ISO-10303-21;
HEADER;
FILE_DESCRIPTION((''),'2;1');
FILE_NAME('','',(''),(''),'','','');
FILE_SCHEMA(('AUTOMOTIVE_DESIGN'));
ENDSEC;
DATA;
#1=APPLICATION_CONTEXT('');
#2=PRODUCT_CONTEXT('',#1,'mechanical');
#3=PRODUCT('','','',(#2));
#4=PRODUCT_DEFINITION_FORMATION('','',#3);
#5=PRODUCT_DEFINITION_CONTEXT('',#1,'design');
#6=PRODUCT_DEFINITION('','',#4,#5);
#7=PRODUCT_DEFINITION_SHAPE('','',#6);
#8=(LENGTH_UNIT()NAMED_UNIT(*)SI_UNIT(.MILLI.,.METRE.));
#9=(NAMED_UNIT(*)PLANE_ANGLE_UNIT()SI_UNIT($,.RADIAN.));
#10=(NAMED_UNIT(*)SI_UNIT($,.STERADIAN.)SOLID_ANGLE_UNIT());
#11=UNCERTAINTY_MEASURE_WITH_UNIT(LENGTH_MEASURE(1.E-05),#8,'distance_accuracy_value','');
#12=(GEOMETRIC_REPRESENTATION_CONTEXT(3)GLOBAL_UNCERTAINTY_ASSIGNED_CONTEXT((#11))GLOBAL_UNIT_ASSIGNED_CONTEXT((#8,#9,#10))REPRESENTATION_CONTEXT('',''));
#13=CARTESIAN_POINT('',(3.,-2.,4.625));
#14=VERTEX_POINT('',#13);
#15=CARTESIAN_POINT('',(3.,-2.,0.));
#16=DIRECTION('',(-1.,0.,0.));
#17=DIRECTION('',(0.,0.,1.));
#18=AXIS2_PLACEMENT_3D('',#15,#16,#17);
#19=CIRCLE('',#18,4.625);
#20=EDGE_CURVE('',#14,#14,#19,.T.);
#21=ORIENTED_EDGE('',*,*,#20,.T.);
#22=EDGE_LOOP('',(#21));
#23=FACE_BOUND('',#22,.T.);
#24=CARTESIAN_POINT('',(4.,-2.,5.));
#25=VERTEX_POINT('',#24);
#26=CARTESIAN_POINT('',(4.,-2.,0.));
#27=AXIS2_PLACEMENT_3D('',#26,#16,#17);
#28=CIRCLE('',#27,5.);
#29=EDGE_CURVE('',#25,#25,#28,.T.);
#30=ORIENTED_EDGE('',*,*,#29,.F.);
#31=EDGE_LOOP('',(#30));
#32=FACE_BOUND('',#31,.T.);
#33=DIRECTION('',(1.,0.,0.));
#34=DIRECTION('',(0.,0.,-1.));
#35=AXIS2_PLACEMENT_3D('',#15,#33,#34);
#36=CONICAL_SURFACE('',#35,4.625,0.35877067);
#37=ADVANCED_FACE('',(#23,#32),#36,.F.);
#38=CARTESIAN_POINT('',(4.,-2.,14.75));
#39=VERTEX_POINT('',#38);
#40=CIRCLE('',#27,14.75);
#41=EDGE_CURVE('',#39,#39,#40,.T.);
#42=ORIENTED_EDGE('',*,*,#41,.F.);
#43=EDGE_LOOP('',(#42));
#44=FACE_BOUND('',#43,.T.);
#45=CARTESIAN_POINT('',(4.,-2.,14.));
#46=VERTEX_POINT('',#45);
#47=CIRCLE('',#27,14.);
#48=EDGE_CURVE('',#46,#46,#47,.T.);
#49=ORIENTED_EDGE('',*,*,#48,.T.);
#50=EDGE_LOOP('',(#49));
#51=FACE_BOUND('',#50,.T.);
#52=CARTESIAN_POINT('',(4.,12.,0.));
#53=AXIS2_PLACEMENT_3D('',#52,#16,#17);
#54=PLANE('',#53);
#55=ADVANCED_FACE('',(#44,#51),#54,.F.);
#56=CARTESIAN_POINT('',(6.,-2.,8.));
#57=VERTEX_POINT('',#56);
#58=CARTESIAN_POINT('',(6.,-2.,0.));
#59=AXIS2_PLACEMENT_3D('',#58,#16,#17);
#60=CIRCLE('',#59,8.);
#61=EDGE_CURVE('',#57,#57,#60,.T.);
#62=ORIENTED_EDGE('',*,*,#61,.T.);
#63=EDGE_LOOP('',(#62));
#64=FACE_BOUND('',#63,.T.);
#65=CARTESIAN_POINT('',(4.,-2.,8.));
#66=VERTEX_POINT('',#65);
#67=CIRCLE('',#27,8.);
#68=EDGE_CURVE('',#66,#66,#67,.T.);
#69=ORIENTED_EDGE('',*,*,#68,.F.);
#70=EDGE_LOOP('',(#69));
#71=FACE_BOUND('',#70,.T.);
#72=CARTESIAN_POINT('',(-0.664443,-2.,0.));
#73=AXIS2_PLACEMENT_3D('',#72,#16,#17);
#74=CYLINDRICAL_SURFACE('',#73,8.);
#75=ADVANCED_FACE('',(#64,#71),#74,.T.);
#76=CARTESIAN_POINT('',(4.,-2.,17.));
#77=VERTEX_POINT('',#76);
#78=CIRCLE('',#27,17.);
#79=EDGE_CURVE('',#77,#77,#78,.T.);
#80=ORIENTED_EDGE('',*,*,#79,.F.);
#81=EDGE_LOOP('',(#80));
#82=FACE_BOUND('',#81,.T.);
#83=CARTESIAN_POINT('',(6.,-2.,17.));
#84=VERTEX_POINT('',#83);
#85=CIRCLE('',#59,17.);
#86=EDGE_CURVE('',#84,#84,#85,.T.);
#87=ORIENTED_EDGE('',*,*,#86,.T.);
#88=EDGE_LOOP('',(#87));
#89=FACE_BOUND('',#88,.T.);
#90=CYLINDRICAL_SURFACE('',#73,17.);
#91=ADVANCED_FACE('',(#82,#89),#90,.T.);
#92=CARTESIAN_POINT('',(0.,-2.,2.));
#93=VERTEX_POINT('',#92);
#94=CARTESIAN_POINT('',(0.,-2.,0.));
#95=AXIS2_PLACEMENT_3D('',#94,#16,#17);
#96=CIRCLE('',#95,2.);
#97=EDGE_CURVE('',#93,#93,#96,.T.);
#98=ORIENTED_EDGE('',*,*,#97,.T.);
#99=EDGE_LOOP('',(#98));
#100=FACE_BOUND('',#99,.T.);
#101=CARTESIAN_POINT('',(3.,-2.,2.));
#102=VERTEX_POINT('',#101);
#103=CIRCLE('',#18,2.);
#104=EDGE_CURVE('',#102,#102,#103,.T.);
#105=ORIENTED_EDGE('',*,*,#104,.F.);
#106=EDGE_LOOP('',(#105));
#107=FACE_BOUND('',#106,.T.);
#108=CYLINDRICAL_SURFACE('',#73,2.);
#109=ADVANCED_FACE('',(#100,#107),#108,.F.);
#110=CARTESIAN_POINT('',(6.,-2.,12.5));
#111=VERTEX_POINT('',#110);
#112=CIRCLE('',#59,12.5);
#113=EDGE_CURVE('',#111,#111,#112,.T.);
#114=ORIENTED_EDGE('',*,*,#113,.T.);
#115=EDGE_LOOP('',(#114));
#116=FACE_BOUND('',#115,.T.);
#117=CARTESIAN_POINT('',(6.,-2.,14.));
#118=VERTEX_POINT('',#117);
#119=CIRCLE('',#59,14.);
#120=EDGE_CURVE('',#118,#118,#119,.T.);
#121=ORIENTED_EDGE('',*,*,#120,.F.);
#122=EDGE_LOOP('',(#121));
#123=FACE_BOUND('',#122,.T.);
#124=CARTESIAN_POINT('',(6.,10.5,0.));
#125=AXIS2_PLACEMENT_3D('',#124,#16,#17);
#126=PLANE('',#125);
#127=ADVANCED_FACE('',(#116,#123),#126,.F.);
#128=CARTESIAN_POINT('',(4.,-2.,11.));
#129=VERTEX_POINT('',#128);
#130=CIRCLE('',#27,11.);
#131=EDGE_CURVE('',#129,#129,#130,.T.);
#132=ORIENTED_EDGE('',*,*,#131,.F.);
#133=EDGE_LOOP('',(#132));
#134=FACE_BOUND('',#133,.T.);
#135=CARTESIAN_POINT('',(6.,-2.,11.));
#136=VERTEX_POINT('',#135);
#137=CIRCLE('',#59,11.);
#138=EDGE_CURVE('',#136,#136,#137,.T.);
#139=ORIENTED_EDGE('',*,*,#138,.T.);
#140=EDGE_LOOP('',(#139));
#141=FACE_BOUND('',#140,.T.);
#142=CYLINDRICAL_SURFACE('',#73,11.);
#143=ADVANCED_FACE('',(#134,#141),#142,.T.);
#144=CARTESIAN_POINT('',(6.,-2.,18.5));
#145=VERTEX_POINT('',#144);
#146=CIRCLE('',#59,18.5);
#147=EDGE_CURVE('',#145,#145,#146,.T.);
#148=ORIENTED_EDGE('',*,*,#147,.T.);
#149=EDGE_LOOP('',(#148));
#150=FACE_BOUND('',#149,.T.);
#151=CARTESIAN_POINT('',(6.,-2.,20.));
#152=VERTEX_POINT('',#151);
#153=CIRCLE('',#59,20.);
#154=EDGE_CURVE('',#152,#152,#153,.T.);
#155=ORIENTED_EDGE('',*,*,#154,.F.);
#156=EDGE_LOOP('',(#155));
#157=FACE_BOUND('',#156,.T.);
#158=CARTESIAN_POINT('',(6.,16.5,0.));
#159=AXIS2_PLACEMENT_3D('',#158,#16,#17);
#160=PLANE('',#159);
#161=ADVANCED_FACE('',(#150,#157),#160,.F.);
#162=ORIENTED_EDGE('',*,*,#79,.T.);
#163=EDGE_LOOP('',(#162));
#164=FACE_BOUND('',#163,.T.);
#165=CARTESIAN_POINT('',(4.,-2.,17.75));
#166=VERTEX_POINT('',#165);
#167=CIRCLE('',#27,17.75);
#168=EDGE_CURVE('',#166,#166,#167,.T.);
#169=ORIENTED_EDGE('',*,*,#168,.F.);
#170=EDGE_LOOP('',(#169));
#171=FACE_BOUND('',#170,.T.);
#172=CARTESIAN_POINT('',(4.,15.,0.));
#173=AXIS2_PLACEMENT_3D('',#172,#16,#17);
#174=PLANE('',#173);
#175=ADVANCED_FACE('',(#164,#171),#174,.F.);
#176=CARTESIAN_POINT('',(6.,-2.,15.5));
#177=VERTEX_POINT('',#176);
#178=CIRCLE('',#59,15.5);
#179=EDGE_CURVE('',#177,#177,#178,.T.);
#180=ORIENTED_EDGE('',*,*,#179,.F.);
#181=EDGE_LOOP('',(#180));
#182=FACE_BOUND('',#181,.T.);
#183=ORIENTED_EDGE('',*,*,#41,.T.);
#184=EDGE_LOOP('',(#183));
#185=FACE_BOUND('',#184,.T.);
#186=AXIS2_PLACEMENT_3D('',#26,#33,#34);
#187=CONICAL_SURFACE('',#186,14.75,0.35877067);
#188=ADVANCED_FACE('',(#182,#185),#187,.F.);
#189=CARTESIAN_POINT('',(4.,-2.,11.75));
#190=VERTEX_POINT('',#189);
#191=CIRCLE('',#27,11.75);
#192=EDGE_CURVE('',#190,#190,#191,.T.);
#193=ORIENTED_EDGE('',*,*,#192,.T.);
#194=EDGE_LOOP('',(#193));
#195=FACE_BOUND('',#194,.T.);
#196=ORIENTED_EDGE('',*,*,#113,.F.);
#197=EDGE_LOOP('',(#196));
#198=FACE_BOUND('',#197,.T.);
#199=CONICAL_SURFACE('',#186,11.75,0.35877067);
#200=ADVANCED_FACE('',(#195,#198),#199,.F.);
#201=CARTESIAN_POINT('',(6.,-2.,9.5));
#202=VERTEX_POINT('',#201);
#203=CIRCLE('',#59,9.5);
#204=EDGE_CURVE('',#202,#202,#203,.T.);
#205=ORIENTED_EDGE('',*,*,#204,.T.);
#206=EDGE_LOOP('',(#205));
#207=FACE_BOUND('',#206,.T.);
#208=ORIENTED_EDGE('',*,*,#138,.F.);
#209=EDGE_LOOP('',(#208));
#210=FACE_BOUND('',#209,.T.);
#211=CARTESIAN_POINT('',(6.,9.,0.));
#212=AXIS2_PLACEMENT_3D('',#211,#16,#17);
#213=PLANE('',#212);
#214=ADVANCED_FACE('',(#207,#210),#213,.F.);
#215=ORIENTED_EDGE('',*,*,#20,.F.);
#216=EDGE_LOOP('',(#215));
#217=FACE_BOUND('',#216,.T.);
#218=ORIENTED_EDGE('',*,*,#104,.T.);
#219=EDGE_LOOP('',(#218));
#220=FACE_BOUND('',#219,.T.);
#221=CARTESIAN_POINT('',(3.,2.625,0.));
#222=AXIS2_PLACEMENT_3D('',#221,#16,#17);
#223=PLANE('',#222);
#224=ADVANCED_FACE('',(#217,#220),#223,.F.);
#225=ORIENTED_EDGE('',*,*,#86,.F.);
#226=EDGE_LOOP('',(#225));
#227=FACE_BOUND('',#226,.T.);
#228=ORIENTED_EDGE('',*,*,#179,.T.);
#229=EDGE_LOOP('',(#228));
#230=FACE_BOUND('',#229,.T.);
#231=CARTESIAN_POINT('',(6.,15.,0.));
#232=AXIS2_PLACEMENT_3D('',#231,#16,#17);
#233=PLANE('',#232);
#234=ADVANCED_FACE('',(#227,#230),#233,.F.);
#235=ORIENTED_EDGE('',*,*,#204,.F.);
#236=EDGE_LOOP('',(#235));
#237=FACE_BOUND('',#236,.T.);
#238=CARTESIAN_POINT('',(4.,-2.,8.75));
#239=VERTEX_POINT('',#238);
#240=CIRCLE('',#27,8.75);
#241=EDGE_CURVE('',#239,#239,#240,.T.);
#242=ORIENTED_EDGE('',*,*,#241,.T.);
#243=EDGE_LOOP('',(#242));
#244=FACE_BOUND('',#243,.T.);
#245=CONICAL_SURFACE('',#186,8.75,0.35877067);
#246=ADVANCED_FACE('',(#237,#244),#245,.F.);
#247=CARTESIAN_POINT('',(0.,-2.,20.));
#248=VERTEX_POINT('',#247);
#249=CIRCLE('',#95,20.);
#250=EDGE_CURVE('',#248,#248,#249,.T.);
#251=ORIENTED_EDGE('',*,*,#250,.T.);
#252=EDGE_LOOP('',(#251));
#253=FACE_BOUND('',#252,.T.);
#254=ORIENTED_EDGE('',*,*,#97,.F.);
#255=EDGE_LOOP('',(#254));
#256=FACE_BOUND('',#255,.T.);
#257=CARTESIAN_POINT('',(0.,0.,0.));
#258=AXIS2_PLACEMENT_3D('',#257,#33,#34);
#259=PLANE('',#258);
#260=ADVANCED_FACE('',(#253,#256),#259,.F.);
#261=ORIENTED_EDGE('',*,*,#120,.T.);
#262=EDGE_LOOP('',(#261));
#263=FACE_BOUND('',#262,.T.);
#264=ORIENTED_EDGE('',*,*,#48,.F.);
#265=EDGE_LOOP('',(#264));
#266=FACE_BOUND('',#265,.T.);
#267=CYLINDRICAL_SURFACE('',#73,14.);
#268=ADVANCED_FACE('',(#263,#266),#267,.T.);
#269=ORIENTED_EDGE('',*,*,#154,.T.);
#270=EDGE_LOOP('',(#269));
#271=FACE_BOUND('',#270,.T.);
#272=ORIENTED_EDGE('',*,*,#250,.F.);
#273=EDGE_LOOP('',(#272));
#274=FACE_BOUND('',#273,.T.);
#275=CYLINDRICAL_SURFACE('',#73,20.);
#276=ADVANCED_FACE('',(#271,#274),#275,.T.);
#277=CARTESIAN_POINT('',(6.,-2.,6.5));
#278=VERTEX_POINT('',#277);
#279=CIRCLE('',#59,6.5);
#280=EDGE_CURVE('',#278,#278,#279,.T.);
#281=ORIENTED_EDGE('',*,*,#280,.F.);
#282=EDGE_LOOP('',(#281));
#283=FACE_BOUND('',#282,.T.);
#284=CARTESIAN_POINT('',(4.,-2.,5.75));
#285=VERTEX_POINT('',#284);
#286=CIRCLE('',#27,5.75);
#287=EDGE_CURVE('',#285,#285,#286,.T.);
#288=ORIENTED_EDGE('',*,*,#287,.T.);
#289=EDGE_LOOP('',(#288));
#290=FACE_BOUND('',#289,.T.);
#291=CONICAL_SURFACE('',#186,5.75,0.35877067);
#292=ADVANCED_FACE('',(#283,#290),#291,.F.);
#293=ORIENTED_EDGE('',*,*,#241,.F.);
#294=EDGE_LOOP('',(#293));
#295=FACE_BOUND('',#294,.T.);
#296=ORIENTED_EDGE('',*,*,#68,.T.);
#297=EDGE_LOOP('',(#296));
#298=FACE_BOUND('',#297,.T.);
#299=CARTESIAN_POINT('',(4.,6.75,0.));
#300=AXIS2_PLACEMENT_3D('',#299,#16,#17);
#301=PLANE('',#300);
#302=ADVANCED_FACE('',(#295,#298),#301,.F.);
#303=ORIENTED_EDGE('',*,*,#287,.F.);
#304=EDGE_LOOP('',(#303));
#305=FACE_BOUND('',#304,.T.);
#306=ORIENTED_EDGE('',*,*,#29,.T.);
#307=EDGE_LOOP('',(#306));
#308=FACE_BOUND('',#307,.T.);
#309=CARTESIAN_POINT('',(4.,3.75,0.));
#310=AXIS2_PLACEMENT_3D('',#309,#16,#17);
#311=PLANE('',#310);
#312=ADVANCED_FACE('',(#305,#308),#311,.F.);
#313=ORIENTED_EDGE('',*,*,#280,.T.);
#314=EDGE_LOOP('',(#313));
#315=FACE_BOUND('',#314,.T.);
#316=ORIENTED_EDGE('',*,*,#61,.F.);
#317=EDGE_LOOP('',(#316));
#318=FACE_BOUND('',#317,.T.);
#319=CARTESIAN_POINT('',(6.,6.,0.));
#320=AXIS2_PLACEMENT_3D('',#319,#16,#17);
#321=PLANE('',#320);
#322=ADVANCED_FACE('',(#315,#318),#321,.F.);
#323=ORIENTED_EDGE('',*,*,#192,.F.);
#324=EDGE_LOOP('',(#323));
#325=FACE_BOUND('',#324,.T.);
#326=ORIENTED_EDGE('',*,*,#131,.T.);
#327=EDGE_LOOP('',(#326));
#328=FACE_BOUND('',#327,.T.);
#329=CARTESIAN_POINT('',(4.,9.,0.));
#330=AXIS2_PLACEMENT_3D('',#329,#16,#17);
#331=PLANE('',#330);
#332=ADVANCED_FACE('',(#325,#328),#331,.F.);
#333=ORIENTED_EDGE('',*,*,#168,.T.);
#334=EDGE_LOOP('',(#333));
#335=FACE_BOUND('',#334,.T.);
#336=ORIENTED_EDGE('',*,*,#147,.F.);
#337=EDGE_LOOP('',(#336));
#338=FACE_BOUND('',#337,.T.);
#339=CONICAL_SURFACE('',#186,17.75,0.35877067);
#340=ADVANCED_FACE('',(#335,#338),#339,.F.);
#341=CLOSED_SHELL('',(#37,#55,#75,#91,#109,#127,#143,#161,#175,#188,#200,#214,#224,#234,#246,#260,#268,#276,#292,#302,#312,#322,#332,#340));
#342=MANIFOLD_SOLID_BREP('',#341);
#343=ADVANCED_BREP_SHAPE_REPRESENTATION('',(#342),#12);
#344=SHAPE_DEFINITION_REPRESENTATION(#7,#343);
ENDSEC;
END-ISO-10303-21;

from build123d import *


with BuildPart() as part:
    # Schizzo3 → Rivoluzione1 (revolve)
    with BuildSketch(Plane.XY, mode=Mode.PRIVATE) as rivoluzione1_sk:
        Polygon((0, 0), (0, 18), (6, 18), (6, 16.5), (4, 15.75), (4, 15), (6, 15), (6, 13.5), (4, 12.75), (4, 12), (6, 12), (6, 10.5), (4, 9.75), (4, 9), (6, 9), (6, 7.5), (4, 6.75), (4, 6), (6, 6), (6, 4.5), (4, 3.75), (4, 3), (3, 2.625), (3, 0), align=None)
    revolve(rivoluzione1_sk.sketch.rotate(Axis((-0.664443358, -2, 0), (1, 0, 0)), 90), axis=Axis((-0.664443358, -2, 0), (1, 0, 0)))


solid = part.part
